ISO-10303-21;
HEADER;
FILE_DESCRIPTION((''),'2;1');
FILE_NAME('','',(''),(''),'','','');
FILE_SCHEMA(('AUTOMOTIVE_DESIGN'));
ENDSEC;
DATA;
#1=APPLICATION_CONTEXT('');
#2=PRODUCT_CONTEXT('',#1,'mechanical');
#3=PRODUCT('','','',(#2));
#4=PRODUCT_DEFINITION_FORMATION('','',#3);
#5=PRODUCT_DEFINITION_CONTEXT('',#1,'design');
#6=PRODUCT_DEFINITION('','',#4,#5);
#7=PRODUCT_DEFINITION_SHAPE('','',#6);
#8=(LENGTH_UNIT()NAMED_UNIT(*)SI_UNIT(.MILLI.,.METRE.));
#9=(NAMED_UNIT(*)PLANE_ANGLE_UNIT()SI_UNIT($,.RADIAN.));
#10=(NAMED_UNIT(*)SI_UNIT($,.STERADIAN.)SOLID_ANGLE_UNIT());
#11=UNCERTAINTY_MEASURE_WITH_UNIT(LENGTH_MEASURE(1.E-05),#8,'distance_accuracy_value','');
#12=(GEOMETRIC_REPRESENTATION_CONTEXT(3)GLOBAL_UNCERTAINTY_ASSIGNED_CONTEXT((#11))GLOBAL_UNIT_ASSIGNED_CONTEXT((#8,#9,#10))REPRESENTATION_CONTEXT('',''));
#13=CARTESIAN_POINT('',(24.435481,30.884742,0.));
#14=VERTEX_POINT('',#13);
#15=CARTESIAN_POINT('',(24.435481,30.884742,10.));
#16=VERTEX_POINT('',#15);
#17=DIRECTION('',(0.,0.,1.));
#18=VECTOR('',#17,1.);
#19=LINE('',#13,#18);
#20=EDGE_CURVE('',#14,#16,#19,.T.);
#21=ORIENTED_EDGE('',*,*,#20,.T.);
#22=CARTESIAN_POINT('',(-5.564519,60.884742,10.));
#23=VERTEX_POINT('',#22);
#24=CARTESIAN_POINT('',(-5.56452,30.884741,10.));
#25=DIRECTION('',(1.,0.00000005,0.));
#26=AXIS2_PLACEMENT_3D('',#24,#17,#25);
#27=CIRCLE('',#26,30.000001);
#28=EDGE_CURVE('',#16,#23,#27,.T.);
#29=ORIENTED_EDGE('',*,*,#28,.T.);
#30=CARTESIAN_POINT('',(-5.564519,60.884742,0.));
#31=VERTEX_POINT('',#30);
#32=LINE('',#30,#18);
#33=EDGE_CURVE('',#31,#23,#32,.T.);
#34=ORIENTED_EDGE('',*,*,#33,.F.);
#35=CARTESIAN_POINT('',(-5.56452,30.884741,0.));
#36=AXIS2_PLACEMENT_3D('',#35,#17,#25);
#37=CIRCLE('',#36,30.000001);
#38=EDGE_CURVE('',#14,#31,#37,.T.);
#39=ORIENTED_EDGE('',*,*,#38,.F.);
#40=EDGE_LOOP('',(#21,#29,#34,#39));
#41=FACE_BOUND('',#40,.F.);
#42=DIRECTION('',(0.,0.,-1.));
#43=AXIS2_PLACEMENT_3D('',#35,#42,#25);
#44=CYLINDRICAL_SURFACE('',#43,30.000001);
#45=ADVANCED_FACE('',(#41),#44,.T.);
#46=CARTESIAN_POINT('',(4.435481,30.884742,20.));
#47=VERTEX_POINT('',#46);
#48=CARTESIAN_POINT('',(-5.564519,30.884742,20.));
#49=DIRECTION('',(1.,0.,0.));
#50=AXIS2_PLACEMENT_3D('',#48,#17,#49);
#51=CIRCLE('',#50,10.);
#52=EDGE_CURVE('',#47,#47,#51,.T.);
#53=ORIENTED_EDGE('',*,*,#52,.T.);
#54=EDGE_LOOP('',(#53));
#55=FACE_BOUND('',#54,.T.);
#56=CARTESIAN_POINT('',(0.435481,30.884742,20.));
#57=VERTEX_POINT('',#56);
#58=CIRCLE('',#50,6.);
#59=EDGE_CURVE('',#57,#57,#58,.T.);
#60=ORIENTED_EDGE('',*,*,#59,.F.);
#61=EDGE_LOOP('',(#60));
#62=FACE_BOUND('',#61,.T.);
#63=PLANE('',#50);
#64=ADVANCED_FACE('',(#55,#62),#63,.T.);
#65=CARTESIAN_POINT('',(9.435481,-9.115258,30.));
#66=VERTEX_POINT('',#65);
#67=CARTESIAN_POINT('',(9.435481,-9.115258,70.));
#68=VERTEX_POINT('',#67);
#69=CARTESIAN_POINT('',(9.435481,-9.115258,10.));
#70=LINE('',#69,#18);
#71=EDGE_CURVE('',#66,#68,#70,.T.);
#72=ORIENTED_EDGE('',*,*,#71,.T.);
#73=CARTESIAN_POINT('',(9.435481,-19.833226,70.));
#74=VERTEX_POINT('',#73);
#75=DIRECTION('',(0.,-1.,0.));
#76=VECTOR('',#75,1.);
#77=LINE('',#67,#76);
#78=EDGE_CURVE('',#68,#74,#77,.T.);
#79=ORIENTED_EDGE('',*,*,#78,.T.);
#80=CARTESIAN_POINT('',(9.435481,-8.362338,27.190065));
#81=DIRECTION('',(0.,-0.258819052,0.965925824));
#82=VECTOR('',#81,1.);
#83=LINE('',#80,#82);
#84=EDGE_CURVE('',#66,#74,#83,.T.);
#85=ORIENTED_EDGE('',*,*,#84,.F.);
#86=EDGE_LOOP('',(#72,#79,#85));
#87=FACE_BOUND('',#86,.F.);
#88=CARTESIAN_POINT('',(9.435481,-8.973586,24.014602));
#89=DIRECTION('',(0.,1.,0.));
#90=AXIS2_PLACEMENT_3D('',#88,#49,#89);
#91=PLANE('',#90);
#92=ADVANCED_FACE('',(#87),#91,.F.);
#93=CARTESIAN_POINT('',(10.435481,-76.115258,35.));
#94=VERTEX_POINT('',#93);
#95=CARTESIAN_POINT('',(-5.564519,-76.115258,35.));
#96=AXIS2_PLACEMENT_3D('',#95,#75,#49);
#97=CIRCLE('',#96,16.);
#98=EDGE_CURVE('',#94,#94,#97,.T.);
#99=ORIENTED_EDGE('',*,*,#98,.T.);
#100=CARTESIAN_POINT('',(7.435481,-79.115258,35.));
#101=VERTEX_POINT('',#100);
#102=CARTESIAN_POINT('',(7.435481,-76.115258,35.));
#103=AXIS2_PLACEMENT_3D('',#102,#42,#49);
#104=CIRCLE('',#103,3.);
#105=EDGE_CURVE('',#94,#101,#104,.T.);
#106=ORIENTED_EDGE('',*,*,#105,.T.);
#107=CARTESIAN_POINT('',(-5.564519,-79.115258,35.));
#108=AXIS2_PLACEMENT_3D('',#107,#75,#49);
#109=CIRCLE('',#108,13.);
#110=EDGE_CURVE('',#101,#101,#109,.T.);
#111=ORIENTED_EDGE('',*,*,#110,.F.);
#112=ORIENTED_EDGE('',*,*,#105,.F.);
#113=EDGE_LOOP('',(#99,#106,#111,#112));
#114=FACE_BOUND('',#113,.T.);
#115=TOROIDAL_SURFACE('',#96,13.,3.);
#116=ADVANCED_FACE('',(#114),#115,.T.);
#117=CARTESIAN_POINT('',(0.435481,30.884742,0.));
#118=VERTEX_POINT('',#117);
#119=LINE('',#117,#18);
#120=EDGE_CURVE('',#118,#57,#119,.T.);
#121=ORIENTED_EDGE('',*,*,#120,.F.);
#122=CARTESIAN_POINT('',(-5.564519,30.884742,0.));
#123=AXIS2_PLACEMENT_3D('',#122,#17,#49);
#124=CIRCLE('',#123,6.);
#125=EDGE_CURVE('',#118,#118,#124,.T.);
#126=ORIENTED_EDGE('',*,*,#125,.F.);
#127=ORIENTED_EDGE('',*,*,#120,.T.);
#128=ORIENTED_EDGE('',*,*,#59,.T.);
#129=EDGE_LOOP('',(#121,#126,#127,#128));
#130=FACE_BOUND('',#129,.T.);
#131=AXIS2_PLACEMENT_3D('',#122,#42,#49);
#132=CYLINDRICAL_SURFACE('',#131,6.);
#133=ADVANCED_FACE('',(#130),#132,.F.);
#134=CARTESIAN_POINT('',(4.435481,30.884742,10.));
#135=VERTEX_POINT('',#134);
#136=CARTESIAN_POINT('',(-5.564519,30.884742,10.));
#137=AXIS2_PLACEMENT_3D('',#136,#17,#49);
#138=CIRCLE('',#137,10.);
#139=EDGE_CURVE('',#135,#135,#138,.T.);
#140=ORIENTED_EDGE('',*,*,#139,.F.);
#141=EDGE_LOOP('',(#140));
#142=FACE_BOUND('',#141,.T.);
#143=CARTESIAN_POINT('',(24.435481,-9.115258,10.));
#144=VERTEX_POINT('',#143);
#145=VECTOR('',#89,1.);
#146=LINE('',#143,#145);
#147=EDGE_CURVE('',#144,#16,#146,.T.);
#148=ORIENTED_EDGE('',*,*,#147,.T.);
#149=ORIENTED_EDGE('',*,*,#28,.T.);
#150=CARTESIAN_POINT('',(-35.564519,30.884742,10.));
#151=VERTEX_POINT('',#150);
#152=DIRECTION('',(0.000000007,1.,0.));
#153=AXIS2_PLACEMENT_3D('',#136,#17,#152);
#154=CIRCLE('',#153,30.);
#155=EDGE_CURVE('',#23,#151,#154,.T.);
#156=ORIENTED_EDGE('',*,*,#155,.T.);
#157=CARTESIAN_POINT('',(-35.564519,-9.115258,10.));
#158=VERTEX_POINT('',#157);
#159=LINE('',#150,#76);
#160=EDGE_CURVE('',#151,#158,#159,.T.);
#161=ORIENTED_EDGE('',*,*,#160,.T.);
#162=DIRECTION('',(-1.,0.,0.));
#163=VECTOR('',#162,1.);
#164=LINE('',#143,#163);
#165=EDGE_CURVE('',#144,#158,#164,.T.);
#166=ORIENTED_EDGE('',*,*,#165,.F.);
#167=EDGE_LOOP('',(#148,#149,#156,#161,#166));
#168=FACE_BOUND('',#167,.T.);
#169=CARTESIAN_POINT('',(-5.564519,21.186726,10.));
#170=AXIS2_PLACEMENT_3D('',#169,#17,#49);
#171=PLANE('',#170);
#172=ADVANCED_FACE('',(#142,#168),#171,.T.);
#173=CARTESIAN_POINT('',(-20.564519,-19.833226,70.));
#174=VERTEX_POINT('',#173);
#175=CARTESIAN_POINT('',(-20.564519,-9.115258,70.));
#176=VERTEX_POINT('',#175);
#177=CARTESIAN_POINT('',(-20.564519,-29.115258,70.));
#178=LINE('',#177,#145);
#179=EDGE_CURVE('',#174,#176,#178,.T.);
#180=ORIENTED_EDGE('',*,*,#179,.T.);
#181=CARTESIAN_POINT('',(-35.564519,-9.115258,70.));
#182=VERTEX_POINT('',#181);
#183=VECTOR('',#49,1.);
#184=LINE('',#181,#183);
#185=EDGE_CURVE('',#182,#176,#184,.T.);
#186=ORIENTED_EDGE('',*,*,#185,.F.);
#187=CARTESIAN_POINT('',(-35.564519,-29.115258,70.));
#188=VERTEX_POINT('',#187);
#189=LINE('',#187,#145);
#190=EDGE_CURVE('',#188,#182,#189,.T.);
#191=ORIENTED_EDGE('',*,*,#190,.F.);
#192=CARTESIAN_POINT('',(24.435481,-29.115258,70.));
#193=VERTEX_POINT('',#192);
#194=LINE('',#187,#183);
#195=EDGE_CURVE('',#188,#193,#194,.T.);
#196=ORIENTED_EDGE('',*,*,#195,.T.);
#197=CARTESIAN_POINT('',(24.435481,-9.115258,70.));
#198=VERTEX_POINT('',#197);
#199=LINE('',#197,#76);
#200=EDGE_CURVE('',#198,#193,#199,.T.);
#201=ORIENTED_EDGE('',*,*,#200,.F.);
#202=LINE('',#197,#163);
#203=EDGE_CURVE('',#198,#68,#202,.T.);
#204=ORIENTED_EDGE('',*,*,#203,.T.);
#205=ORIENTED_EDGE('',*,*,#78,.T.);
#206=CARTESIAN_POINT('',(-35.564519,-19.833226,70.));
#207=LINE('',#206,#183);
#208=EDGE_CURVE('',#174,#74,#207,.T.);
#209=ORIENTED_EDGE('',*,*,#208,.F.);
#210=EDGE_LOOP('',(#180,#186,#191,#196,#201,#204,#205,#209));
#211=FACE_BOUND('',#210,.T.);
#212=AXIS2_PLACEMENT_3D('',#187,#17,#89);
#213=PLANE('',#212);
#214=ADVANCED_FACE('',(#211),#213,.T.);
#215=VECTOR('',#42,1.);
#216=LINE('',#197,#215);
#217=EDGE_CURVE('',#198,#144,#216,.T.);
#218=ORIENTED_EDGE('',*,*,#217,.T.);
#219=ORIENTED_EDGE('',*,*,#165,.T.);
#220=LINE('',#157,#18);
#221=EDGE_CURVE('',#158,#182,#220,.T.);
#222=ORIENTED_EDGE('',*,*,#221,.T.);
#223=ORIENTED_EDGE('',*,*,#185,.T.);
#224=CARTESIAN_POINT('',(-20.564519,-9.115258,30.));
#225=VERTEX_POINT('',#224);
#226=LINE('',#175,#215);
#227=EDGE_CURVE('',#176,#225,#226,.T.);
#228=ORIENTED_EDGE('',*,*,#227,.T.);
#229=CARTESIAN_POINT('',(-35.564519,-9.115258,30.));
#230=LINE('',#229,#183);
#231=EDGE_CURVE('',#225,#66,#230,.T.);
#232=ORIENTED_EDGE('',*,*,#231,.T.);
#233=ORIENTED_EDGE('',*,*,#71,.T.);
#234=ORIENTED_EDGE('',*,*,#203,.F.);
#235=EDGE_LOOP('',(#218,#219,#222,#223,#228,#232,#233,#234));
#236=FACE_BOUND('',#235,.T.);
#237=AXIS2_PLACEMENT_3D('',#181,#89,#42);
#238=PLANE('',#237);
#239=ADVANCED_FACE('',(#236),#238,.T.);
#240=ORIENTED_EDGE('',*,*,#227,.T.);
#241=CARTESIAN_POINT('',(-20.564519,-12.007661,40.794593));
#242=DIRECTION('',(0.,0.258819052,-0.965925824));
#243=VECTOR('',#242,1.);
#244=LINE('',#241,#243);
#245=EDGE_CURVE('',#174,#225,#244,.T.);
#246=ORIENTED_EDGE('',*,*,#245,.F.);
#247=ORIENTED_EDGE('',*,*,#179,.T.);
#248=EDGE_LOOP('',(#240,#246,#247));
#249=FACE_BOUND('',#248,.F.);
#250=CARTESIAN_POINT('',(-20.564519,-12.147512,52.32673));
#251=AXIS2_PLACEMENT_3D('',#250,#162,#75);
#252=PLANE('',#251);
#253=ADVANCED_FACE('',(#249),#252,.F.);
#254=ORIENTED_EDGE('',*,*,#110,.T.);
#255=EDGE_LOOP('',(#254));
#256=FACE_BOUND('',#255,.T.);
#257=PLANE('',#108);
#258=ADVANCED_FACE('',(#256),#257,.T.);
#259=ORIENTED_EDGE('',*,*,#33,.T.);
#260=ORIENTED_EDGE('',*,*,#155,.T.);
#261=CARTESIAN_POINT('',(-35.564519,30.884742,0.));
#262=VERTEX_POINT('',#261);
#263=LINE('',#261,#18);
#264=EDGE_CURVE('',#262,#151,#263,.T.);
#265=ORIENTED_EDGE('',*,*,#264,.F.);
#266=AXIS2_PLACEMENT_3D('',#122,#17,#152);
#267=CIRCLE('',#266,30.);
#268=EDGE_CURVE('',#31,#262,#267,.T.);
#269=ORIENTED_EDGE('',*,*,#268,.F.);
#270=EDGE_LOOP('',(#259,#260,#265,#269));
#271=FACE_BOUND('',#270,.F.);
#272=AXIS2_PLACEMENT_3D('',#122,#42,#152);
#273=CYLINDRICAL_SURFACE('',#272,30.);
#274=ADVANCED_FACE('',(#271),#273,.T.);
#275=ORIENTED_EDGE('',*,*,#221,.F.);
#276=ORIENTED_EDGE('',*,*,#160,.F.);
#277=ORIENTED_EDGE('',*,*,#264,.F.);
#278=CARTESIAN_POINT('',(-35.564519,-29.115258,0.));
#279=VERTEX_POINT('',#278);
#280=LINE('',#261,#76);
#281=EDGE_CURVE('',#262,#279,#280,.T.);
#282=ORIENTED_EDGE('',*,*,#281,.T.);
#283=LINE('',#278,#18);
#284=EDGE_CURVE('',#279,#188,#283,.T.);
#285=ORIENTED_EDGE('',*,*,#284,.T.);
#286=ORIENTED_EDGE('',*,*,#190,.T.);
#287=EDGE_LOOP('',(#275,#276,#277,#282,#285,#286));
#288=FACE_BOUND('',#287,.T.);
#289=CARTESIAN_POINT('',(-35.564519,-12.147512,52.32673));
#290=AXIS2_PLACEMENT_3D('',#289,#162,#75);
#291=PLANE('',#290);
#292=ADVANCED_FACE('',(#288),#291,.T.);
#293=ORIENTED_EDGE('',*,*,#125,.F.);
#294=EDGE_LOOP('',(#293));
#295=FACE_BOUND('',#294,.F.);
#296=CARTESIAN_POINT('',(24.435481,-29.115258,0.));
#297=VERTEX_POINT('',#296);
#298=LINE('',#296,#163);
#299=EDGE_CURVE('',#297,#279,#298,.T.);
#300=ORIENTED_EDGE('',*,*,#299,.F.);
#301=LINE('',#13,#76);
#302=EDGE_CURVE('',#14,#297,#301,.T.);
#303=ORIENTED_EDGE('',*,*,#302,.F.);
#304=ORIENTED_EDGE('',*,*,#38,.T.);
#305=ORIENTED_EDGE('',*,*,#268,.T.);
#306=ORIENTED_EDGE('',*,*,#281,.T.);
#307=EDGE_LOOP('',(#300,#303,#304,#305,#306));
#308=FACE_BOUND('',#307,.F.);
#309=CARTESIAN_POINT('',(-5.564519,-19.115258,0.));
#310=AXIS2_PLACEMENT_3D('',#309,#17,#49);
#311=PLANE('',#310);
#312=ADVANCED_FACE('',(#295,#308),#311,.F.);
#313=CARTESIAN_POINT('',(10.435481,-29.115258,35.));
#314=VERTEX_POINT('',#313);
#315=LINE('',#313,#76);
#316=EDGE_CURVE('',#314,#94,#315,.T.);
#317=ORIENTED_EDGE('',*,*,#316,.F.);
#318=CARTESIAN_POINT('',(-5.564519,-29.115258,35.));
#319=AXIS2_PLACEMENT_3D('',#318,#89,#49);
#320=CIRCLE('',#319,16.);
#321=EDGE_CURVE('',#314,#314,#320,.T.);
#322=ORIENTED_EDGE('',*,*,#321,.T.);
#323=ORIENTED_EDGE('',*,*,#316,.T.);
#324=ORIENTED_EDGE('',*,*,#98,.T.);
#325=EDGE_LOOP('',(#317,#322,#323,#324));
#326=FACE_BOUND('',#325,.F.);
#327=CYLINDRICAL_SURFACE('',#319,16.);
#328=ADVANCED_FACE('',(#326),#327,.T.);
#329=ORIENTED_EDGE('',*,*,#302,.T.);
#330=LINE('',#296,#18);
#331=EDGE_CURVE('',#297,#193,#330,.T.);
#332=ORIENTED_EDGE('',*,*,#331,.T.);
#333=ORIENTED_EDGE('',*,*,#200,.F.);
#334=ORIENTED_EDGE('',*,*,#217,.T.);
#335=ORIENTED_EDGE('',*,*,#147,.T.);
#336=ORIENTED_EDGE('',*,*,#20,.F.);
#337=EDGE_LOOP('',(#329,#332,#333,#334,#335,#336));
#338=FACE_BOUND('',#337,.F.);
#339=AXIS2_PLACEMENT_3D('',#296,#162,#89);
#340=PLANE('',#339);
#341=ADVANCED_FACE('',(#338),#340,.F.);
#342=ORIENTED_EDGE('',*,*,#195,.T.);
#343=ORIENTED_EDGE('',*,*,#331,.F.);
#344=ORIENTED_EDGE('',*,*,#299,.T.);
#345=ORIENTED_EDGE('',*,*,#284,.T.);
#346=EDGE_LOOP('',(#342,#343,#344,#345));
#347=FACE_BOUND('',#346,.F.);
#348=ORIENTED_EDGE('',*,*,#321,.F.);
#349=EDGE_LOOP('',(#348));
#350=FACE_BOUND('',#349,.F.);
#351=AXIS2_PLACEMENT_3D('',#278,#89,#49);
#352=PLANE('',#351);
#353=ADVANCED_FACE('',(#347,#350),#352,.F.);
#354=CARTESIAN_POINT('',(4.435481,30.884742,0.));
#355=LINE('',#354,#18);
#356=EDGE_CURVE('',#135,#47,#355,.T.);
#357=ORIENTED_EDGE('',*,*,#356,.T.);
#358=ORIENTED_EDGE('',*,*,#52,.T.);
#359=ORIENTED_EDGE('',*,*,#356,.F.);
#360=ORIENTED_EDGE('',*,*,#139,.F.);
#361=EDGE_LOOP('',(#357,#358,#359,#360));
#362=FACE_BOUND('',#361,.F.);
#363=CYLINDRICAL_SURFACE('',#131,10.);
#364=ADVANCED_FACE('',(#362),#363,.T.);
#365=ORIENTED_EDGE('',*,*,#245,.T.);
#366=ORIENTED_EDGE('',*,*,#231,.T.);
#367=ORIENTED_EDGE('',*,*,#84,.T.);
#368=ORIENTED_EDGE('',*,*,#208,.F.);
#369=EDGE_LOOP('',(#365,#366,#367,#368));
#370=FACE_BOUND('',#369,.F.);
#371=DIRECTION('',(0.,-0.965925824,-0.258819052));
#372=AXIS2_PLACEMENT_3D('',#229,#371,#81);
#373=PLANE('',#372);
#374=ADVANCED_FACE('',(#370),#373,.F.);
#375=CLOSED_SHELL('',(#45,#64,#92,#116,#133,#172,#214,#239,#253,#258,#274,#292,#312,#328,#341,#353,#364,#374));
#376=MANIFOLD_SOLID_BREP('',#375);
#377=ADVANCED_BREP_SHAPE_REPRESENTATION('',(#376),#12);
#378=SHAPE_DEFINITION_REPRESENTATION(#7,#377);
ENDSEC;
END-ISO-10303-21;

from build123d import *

# Parameters (mm, degrees)
F0_R      = 10
F1_DEPTH  = 10
F0_R_2    = 6
F2_DEPTH  = 20
F0_W      = 60
F0_H      = 20
F3_DEPTH  = 70
F4_R      = 16
F5_DEPTH  = 50
F6_R      = 3
F9_DEPTH  = 77.2
F10_DEPTH = 15
F11_DEPTH = 15


with BuildPart() as f1:
    # F0 (on Top) → F1 (new body)
    with BuildSketch(Plane.XY):
        with BuildLine():
            ThreePointArc((-5.564519, 60.884742), (-26.777723, 52.097945), (-35.564519, 30.884742))
            Line((-35.564519, 30.884742), (-35.564519, -9.115258))
            Line((-35.564519, -9.115258), (24.435481, -9.115258))
            Line((24.435481, -9.115258), (24.435481, 30.884742))
            ThreePointArc((24.435481, 30.884742), (15.648684, 52.097945), (-5.564519, 60.884742))
        make_face()
        with Locations((-5.564519, 30.884742)):
            Circle(F0_R, mode=Mode.SUBTRACT)
    extrude(amount=F1_DEPTH)

    # F0 (on Top) → F2 (join)
    with BuildSketch(Plane.XY):
        with Locations((-5.564519, 30.884742)):
            Circle(F0_R)
        with Locations((-5.564519, 30.884742)):
            Circle(F0_R_2, mode=Mode.SUBTRACT)
    extrude(amount=F2_DEPTH)

    # F0 (on Top) → F3 (join)
    with BuildSketch(Plane.XY):
        with Locations((-5.564519, -19.115258)):
            Rectangle(F0_W, F0_H)
    extrude(amount=F3_DEPTH)

    # F4 (on face) → F5 (join)
    with BuildSketch(Plane.XZ.offset(29.115258)):
        with Locations((-5.564519, 35)):
            Circle(F4_R)
    extrude(amount=F5_DEPTH)

    # F6
    f6_edges = [f1.edges().sort_by_distance(p)[0] for p in [
        (-21.564519, -79.115258, 35),
    ]]
    fillet(f6_edges, radius=F6_R)

    # F8 (on face) → F9 (cut)
    with BuildSketch(Plane(origin=(-35.564519, 0, 0), x_dir=(0, -1, 0), z_dir=(-1, 0, 0))):
        Polygon((19.833226, 70), (9.115258, 70), (9.115258, 30), align=None)
    extrude(amount=-F9_DEPTH, mode=Mode.SUBTRACT)

    # F8 (on face) → F10 (join)
    with BuildSketch(Plane(origin=(-35.564519, 0, 0), x_dir=(0, -1, 0), z_dir=(-1, 0, 0))):
        Polygon((19.833226, 70), (9.115258, 70), (9.115258, 30), align=None)
        Polygon((19.833226, 70), (9.115258, 30), (9.115258, 10), (-30.884742, 10), (-30.884742, 0), (29.115258, 0), (29.115258, 70), align=None)
    extrude(amount=-F10_DEPTH)

    # F7 (on face) → F11 (join)
    with BuildSketch(Plane.YZ.offset(24.435481)):
        Polygon((-9.115258, 10), (-9.115258, 30), (-19.833226, 70), (-29.115258, 70), (-29.115258, 0), (30.884742, 0), (30.884742, 10), align=None)
        Polygon((-9.115258, 30), (-9.115258, 70), (-19.833226, 70), align=None)
    extrude(amount=-F11_DEPTH)


solid = f1.part
